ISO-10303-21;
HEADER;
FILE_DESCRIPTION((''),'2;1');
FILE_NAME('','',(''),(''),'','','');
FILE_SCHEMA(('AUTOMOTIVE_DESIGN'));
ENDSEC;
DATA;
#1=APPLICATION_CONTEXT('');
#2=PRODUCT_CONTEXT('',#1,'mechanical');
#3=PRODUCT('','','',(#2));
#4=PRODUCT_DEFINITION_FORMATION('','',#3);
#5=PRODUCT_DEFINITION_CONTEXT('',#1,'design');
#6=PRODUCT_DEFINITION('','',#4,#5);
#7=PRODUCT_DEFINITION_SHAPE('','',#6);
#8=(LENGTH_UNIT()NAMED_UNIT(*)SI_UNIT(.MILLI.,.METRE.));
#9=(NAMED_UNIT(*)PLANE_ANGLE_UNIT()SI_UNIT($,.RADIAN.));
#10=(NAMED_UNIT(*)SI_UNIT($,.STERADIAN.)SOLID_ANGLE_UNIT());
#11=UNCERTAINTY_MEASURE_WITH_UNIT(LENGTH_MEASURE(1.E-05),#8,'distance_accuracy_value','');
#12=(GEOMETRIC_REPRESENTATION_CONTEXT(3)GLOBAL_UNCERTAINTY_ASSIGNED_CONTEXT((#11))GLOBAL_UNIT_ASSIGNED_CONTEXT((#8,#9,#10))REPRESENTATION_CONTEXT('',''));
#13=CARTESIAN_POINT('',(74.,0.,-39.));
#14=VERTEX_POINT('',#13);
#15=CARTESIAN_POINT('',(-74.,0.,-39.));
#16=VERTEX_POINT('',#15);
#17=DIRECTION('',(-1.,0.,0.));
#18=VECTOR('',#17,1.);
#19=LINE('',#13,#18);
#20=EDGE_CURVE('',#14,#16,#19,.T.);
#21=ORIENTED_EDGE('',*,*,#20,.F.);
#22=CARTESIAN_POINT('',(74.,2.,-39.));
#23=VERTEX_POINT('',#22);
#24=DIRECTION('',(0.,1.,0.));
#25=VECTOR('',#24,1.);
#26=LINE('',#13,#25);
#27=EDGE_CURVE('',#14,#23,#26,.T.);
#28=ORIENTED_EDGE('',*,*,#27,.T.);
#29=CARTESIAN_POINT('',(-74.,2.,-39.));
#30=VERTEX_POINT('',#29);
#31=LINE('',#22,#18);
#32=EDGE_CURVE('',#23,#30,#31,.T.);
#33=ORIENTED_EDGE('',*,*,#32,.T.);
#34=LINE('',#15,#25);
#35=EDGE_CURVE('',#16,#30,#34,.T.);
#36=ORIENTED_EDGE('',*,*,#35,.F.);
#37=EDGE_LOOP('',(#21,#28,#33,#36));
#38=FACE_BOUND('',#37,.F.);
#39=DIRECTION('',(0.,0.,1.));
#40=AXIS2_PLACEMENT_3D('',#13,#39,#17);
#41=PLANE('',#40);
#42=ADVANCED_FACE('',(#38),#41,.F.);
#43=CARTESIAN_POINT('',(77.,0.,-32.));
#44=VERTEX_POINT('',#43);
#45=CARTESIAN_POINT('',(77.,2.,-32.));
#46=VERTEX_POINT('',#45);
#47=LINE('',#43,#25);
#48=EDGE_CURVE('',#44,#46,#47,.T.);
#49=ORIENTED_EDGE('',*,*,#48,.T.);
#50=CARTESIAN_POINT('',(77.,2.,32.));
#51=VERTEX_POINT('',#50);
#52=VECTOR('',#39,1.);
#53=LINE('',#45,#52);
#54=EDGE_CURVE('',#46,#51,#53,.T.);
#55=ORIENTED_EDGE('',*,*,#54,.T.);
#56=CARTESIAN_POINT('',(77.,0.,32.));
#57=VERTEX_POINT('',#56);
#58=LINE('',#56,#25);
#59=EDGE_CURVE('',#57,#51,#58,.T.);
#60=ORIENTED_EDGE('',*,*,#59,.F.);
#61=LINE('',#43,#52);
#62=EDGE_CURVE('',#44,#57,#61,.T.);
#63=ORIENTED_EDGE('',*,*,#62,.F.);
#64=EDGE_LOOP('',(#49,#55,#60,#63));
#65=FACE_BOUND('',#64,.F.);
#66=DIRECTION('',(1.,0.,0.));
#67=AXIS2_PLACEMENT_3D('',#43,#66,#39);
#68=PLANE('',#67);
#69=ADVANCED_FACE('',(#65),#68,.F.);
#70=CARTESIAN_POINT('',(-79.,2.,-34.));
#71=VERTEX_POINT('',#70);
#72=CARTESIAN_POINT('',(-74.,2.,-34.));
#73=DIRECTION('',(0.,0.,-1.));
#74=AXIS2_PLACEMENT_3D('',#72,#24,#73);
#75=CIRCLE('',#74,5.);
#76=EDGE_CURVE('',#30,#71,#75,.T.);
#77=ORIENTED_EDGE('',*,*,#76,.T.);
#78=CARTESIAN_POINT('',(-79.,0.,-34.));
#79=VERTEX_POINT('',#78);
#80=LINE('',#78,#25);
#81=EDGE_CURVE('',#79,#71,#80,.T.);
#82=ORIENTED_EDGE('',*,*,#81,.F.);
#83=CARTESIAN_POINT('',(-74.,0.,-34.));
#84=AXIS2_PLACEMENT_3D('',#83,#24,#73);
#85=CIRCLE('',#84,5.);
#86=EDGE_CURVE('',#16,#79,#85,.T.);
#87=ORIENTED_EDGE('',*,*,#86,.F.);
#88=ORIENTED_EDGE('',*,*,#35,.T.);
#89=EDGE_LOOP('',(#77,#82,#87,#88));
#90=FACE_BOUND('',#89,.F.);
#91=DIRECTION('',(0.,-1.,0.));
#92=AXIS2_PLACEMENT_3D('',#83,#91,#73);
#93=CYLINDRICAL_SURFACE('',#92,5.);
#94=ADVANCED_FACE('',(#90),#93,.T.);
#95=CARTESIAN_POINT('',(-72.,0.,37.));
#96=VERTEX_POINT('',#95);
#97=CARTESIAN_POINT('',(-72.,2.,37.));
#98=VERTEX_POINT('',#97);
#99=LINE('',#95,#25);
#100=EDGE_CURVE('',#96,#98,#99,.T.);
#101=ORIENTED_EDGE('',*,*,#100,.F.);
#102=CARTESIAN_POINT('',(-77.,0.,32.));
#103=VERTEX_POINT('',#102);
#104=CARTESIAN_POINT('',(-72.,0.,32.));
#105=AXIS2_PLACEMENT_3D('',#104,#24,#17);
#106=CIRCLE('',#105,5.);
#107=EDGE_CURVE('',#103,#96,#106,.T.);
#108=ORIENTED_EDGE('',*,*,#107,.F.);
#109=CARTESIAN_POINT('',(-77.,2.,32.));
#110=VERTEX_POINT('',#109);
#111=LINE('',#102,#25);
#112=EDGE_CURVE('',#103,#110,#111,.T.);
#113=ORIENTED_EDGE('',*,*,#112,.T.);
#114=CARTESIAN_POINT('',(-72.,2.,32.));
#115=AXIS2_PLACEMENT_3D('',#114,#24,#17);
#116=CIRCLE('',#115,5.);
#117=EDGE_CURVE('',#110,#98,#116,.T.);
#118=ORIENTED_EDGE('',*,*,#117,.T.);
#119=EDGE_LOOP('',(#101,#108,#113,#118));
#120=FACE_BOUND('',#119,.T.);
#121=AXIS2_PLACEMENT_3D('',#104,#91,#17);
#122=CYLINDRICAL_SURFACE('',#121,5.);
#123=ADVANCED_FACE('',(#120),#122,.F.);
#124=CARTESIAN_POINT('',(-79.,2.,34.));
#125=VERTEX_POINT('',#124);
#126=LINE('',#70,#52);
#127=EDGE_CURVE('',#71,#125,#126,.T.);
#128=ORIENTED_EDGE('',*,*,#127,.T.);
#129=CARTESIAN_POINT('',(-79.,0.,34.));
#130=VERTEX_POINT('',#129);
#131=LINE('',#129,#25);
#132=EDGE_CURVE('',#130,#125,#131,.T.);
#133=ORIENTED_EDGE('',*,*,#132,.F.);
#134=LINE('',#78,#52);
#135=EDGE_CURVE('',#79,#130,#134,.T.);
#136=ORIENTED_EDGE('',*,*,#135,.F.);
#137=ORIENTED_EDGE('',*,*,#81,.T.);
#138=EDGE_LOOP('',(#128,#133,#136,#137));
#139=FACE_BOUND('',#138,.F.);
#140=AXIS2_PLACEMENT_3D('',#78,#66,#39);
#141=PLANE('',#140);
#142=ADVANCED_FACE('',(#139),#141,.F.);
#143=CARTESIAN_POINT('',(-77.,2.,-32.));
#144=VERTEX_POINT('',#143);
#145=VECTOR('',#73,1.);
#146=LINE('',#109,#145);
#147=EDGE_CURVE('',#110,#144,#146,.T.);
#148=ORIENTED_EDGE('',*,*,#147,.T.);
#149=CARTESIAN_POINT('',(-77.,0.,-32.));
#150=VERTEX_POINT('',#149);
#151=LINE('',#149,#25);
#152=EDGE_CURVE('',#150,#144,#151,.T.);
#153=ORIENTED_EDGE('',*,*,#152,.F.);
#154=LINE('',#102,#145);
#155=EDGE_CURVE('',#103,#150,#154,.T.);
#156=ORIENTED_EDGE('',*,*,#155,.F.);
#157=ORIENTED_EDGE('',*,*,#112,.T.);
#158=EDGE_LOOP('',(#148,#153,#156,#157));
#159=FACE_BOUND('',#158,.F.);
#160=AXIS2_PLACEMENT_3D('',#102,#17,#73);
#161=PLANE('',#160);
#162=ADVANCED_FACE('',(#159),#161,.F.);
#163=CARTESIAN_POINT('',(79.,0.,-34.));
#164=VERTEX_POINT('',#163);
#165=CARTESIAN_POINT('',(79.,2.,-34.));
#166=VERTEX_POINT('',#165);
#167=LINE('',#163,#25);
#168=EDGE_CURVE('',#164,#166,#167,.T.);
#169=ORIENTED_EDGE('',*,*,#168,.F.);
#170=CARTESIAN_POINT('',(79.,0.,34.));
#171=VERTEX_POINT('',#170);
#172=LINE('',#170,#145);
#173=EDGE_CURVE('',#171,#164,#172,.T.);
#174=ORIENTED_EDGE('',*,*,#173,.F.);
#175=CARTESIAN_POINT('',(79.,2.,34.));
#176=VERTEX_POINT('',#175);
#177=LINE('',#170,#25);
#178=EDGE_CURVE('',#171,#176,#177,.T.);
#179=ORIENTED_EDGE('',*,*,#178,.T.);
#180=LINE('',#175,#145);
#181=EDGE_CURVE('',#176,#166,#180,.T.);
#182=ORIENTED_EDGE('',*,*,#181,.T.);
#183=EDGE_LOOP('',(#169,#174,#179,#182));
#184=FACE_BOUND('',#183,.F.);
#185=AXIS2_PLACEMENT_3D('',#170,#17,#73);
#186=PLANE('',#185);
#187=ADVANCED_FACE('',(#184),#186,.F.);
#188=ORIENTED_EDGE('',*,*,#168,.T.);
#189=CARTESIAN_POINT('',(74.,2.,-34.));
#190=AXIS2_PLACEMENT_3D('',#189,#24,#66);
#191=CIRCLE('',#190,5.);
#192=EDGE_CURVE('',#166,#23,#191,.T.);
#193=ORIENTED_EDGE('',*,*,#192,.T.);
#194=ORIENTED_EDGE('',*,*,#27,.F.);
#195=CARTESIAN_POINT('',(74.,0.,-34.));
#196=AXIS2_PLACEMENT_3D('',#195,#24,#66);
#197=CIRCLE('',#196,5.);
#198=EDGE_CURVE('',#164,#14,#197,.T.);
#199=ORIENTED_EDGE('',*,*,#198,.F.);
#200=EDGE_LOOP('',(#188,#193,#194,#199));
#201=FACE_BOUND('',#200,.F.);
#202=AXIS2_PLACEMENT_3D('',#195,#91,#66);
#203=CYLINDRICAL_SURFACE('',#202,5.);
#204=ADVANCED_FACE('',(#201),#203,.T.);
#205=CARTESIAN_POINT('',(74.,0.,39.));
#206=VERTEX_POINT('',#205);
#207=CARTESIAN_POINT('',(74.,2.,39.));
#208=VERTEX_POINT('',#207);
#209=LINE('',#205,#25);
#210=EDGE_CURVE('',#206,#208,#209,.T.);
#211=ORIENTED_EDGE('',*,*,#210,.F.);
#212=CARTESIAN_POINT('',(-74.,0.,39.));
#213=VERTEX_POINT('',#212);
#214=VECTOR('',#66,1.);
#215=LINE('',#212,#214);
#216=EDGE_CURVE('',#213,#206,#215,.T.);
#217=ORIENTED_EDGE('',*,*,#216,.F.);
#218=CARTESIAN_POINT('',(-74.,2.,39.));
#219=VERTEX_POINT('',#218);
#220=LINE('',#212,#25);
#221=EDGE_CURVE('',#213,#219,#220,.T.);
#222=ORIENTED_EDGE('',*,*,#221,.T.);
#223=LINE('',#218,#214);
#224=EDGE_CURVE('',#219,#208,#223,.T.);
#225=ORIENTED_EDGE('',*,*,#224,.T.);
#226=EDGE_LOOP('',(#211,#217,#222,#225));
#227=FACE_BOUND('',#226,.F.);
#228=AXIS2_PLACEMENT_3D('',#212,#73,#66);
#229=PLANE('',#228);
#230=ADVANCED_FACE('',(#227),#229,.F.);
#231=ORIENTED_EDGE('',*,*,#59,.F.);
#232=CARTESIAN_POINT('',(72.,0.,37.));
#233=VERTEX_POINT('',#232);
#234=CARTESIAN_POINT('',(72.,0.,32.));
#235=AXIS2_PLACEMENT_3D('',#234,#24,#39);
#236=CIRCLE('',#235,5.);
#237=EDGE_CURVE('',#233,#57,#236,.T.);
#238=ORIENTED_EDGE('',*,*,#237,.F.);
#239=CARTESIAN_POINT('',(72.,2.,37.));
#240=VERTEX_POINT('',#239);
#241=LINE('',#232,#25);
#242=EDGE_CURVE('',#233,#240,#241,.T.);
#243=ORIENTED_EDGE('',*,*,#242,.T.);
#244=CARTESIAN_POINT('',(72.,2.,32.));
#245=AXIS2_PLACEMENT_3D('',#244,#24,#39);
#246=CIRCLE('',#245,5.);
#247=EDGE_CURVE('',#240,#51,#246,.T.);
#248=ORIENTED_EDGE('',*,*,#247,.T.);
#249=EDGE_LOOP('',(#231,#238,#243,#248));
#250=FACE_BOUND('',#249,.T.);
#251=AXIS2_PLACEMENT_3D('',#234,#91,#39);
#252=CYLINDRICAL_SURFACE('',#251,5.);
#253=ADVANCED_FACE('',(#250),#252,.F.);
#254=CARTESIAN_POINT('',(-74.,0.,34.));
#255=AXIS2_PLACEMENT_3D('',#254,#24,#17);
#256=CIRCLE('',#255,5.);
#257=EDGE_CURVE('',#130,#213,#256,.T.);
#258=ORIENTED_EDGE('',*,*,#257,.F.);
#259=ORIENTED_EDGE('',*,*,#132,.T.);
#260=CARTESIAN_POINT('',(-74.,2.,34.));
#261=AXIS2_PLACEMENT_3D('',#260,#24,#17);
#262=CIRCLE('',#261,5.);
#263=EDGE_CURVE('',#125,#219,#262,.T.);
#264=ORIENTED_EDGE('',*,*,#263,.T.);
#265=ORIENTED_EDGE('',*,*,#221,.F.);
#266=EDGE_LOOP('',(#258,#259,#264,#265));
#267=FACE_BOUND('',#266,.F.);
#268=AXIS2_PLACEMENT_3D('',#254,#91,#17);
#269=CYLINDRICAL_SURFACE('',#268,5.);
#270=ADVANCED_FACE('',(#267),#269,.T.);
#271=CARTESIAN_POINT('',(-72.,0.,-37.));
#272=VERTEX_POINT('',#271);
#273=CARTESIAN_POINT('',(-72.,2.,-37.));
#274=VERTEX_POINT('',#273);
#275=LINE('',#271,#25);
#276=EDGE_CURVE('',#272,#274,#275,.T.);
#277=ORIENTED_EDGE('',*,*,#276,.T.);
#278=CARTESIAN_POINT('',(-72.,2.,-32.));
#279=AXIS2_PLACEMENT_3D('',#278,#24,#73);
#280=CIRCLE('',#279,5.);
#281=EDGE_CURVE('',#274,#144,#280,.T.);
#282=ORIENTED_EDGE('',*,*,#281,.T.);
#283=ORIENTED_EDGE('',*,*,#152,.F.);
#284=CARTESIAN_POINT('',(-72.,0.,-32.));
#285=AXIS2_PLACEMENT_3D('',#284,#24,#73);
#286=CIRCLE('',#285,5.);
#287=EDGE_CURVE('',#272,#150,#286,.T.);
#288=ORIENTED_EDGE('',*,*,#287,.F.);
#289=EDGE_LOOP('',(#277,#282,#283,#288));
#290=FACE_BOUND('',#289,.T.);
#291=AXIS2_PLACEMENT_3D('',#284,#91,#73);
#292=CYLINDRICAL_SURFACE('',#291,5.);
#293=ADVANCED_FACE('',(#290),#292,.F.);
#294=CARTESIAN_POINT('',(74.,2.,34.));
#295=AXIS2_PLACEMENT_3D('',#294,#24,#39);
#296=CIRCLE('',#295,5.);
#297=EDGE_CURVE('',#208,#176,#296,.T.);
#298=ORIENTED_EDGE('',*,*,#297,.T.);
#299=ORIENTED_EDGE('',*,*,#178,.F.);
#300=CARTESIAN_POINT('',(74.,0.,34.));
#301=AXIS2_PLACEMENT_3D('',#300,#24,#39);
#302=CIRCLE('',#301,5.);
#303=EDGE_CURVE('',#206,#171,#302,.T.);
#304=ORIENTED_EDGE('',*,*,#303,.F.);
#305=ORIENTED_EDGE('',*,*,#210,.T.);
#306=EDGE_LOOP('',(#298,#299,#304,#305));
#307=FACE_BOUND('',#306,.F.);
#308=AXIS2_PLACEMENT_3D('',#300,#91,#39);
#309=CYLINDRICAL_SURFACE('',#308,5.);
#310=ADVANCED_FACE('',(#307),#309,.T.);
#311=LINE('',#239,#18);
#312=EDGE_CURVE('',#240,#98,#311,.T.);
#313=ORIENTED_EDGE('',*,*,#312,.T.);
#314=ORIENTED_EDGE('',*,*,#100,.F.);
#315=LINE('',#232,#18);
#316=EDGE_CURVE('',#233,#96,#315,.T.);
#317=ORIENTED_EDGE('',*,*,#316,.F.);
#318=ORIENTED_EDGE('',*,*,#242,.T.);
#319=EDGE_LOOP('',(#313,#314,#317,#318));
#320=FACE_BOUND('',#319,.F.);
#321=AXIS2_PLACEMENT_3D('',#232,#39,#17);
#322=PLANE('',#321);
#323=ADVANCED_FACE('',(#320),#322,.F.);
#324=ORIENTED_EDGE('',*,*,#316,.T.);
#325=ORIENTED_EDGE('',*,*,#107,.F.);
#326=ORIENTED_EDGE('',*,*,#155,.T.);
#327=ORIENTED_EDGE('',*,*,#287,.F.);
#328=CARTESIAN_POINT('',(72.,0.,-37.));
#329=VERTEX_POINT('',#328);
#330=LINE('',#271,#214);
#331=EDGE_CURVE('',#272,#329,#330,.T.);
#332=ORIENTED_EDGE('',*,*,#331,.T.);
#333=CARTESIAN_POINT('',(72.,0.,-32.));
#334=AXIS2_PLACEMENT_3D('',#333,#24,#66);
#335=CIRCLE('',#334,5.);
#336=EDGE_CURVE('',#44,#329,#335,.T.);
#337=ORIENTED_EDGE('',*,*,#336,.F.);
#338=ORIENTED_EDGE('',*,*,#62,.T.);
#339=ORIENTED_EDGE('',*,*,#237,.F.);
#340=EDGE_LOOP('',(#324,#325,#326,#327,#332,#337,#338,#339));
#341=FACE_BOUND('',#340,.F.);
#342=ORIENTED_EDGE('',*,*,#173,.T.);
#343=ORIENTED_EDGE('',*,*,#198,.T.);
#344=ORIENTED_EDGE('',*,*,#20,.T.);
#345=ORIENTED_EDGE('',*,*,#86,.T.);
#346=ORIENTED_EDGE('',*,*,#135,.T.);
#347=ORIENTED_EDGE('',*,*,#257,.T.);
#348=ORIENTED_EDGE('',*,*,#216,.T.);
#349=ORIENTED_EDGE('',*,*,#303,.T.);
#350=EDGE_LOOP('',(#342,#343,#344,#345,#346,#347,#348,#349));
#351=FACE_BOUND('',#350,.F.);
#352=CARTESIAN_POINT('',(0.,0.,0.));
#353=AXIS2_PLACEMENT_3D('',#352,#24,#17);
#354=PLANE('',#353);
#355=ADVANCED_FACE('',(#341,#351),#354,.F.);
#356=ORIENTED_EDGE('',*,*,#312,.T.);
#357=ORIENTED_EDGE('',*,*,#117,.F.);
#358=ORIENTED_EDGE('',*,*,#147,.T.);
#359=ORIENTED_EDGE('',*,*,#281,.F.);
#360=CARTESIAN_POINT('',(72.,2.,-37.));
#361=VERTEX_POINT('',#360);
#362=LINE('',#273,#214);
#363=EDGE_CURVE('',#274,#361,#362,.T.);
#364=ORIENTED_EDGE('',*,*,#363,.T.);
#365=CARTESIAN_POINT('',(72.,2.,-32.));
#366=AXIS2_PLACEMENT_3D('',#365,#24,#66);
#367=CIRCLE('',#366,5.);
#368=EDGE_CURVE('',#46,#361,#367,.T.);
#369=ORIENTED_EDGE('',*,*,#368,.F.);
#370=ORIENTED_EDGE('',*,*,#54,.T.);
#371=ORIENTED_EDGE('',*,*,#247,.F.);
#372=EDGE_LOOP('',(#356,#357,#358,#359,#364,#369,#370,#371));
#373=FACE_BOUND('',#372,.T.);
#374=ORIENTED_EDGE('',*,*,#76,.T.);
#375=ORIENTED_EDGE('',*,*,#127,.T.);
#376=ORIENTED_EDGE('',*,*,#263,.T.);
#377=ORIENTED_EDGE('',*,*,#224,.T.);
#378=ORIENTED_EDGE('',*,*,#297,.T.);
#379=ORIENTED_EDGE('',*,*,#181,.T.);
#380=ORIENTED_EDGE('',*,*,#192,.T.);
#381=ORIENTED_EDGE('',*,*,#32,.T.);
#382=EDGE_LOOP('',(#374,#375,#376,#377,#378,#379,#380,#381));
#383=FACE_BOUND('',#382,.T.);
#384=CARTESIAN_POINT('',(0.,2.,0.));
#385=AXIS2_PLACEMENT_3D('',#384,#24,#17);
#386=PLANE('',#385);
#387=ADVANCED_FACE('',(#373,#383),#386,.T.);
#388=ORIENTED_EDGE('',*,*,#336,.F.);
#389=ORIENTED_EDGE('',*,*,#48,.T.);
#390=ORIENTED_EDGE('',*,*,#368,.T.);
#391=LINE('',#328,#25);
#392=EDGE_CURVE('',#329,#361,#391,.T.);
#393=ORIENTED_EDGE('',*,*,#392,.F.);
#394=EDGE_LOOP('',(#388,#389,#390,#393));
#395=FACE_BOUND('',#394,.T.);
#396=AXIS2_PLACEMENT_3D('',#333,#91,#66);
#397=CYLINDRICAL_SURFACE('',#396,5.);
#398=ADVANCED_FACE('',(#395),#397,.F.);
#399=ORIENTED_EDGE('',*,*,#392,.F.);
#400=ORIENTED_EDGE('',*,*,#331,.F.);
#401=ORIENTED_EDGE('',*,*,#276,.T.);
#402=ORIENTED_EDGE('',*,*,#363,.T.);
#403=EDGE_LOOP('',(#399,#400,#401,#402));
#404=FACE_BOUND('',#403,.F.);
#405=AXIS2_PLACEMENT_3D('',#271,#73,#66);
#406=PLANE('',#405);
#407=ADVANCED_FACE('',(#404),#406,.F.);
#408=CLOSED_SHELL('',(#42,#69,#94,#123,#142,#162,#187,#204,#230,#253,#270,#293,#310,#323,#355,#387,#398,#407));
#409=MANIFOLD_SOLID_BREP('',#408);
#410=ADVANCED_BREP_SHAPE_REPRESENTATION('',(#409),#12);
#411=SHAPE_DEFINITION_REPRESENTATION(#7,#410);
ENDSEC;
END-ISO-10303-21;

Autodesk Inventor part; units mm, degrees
ref_plane "YZ Plane" through (0, 0, 0) normal (1, 0, 0) x (0, 1, 0)
ref_plane "XZ Plane" through (0, 0, 0) normal (0, 1, 0) x (-1, 0, 0)
ref_plane "XY Plane" through (0, 0, 0) normal (0, 0, 1) x (1, 0, 0)
sketch "Sketch1" plane through (0, 0, 0) normal (0, 1, 0) x (-1, 0, 0)
  line L0 (-70, 35) -> (70, 35)
  line L1 (75, 30) -> (75, -30)
  line L2 (70, -35) -> (-70, -35)
  line L3 (-75, -30) -> (-75, 30)
  line L4 (-75, 35) -> (75, -35) construction
  line L5 (75, 35) -> (-75, -35) construction
  arc A0 (75, 30) -> (70, 35) centre (70, 30) ccw
  arc A1 (70, -35) -> (75, -30) centre (70, -30) ccw
  arc A2 (-70, 35) -> (-75, 30) centre (-70, 30) ccw
  arc A3 (-75, -30) -> (-70, -35) centre (-70, -30) ccw
  line L6 (-72, 37) -> (72, 37)
  line L7 (77, 32) -> (77, -32)
  line L8 (72, -37) -> (-72, -37)
  line L9 (-77, -32) -> (-77, 32)
  line L10 (-77, 37) -> (77, -37) construction
  line L11 (77, 37) -> (-77, -37) construction
  arc A4 (77, 32) -> (72, 37) centre (72, 32) ccw
  arc A5 (72, -37) -> (77, -32) centre (72, -32) ccw
  arc A6 (-77, -32) -> (-72, -37) centre (-72, -32) ccw
  arc A7 (-72, 37) -> (-77, 32) centre (-72, 32) ccw
  line L12 (74, 39) -> (-74, 39)
  line L13 (-79, 34) -> (-79, -34)
  line L14 (-74, -39) -> (74, -39)
  line L15 (79, -34) -> (79, 34)
  line L16 (79, 39) -> (-79, -39) construction
  line L17 (-79, 39) -> (79, -39) construction
  arc A8 (79, 34) -> (74, 39) centre (74, 34) ccw
  arc A9 (-74, 39) -> (-79, 34) centre (-74, 34) ccw
  arc A10 (-79, -34) -> (-74, -39) centre (-74, -34) ccw
  arc A11 (74, -39) -> (79, -34) centre (74, -34) ccw
  point P0 (0, 0)
  point P1 (0, 0)
  point P2 (0, 0)
  dimension "d0" = 150
  dimension "d1" = 70
  dimension "d2" = 5
  dimension "d3" = 2
  dimension "d4" = 2
  dimension "d5" = 5
  dimension "d6" = 4
  dimension "d7" = 4
  dimension "d8" = 5
extrude "Extrusion1" add sketch "Sketch1" along normal blind 2 contours A8 L15 A11 L14 A10 L13 A9 L12
properties part number "Box2_spacer"
